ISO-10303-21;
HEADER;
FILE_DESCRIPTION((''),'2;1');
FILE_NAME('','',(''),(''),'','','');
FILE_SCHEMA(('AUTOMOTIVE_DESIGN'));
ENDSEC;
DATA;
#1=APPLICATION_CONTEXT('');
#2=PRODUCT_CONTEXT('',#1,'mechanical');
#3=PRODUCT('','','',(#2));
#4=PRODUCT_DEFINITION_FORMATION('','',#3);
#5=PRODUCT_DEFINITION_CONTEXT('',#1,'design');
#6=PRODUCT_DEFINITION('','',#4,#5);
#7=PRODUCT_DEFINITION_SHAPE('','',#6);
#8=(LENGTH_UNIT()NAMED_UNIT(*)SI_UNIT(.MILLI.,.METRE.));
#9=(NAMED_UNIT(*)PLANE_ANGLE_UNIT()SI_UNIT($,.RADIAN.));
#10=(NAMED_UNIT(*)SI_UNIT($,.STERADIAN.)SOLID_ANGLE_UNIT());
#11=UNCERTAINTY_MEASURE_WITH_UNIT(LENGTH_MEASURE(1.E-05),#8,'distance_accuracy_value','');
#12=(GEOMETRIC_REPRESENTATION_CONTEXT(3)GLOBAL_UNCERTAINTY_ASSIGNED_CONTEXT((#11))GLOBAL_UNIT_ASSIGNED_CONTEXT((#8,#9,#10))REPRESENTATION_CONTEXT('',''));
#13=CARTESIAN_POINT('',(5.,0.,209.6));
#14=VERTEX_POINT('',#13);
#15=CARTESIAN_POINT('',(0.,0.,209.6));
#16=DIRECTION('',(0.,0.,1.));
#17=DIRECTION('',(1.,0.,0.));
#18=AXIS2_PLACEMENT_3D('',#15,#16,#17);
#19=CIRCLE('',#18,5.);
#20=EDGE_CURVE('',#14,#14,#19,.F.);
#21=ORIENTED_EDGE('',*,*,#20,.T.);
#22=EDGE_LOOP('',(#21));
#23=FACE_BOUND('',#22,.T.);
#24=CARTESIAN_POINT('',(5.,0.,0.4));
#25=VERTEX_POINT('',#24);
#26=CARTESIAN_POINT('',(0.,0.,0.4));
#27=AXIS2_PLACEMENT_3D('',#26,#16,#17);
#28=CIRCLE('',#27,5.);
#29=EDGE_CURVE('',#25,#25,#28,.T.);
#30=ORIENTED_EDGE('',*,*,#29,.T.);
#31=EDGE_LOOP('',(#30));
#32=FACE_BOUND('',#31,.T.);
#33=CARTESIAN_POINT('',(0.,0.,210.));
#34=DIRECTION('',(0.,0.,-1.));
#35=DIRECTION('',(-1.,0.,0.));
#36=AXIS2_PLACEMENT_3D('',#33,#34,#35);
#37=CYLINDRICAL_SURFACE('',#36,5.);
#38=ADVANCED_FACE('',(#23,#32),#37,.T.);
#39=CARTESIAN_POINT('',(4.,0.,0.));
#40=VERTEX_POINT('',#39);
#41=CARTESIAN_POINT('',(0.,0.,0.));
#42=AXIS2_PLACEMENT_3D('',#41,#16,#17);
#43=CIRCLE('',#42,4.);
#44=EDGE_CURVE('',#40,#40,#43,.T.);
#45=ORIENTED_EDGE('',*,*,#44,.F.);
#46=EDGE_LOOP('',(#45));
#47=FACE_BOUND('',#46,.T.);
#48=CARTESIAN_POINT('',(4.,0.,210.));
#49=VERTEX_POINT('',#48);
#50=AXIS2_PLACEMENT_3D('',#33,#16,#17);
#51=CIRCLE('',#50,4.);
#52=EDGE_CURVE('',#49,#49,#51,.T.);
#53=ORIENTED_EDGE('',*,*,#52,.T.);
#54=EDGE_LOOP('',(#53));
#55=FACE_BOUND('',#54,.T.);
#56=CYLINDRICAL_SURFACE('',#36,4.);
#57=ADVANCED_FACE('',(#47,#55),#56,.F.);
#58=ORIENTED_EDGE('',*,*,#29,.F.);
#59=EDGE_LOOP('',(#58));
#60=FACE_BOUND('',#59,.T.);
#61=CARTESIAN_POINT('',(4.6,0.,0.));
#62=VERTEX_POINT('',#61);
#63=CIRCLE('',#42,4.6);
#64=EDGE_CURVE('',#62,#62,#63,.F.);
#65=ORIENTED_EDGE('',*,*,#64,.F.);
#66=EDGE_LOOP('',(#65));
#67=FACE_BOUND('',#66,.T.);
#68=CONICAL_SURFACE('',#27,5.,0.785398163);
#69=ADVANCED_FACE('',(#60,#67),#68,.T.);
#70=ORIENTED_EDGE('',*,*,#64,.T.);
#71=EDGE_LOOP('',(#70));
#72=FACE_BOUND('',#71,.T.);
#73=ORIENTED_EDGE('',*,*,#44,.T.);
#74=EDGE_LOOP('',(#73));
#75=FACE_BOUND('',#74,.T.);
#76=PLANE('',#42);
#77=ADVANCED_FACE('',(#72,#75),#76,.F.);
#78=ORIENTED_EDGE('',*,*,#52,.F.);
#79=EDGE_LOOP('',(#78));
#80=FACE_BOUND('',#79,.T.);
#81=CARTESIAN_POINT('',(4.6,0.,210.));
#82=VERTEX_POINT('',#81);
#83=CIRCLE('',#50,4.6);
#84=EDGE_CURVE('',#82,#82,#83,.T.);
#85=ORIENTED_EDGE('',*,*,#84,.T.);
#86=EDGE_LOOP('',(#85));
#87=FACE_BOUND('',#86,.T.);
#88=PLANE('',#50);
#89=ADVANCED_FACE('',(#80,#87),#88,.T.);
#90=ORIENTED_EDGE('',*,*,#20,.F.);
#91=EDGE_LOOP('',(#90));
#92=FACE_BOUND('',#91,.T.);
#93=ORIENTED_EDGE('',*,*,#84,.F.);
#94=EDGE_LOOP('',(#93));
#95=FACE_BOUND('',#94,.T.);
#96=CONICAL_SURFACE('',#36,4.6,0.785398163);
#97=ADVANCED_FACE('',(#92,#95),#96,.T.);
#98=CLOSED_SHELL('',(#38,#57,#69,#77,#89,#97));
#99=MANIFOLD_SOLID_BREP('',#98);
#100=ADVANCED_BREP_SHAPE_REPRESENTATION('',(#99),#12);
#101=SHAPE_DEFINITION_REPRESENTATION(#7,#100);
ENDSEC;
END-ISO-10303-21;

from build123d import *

# Parameters (mm, degrees)
SKETCH1_R         = 5
SKETCH1_R_2       = 4
BODY_DEPTH        = 210
END_CHAMFERS_SIZE = 0.4


with BuildPart() as part:
    # Sketch1 → body (new body)
    with BuildSketch(Plane.XY):
        Circle(SKETCH1_R)
        Circle(SKETCH1_R_2, mode=Mode.SUBTRACT)
    extrude(amount=BODY_DEPTH)

    # end_chamfers
    end_chamfers_edges = [part.edges().sort_by_distance(p)[0] for p in [
        (-5, 0, 0),
        (-5, 0, 210),
    ]]
    chamfer(end_chamfers_edges, length=END_CHAMFERS_SIZE)


solid = part.part
